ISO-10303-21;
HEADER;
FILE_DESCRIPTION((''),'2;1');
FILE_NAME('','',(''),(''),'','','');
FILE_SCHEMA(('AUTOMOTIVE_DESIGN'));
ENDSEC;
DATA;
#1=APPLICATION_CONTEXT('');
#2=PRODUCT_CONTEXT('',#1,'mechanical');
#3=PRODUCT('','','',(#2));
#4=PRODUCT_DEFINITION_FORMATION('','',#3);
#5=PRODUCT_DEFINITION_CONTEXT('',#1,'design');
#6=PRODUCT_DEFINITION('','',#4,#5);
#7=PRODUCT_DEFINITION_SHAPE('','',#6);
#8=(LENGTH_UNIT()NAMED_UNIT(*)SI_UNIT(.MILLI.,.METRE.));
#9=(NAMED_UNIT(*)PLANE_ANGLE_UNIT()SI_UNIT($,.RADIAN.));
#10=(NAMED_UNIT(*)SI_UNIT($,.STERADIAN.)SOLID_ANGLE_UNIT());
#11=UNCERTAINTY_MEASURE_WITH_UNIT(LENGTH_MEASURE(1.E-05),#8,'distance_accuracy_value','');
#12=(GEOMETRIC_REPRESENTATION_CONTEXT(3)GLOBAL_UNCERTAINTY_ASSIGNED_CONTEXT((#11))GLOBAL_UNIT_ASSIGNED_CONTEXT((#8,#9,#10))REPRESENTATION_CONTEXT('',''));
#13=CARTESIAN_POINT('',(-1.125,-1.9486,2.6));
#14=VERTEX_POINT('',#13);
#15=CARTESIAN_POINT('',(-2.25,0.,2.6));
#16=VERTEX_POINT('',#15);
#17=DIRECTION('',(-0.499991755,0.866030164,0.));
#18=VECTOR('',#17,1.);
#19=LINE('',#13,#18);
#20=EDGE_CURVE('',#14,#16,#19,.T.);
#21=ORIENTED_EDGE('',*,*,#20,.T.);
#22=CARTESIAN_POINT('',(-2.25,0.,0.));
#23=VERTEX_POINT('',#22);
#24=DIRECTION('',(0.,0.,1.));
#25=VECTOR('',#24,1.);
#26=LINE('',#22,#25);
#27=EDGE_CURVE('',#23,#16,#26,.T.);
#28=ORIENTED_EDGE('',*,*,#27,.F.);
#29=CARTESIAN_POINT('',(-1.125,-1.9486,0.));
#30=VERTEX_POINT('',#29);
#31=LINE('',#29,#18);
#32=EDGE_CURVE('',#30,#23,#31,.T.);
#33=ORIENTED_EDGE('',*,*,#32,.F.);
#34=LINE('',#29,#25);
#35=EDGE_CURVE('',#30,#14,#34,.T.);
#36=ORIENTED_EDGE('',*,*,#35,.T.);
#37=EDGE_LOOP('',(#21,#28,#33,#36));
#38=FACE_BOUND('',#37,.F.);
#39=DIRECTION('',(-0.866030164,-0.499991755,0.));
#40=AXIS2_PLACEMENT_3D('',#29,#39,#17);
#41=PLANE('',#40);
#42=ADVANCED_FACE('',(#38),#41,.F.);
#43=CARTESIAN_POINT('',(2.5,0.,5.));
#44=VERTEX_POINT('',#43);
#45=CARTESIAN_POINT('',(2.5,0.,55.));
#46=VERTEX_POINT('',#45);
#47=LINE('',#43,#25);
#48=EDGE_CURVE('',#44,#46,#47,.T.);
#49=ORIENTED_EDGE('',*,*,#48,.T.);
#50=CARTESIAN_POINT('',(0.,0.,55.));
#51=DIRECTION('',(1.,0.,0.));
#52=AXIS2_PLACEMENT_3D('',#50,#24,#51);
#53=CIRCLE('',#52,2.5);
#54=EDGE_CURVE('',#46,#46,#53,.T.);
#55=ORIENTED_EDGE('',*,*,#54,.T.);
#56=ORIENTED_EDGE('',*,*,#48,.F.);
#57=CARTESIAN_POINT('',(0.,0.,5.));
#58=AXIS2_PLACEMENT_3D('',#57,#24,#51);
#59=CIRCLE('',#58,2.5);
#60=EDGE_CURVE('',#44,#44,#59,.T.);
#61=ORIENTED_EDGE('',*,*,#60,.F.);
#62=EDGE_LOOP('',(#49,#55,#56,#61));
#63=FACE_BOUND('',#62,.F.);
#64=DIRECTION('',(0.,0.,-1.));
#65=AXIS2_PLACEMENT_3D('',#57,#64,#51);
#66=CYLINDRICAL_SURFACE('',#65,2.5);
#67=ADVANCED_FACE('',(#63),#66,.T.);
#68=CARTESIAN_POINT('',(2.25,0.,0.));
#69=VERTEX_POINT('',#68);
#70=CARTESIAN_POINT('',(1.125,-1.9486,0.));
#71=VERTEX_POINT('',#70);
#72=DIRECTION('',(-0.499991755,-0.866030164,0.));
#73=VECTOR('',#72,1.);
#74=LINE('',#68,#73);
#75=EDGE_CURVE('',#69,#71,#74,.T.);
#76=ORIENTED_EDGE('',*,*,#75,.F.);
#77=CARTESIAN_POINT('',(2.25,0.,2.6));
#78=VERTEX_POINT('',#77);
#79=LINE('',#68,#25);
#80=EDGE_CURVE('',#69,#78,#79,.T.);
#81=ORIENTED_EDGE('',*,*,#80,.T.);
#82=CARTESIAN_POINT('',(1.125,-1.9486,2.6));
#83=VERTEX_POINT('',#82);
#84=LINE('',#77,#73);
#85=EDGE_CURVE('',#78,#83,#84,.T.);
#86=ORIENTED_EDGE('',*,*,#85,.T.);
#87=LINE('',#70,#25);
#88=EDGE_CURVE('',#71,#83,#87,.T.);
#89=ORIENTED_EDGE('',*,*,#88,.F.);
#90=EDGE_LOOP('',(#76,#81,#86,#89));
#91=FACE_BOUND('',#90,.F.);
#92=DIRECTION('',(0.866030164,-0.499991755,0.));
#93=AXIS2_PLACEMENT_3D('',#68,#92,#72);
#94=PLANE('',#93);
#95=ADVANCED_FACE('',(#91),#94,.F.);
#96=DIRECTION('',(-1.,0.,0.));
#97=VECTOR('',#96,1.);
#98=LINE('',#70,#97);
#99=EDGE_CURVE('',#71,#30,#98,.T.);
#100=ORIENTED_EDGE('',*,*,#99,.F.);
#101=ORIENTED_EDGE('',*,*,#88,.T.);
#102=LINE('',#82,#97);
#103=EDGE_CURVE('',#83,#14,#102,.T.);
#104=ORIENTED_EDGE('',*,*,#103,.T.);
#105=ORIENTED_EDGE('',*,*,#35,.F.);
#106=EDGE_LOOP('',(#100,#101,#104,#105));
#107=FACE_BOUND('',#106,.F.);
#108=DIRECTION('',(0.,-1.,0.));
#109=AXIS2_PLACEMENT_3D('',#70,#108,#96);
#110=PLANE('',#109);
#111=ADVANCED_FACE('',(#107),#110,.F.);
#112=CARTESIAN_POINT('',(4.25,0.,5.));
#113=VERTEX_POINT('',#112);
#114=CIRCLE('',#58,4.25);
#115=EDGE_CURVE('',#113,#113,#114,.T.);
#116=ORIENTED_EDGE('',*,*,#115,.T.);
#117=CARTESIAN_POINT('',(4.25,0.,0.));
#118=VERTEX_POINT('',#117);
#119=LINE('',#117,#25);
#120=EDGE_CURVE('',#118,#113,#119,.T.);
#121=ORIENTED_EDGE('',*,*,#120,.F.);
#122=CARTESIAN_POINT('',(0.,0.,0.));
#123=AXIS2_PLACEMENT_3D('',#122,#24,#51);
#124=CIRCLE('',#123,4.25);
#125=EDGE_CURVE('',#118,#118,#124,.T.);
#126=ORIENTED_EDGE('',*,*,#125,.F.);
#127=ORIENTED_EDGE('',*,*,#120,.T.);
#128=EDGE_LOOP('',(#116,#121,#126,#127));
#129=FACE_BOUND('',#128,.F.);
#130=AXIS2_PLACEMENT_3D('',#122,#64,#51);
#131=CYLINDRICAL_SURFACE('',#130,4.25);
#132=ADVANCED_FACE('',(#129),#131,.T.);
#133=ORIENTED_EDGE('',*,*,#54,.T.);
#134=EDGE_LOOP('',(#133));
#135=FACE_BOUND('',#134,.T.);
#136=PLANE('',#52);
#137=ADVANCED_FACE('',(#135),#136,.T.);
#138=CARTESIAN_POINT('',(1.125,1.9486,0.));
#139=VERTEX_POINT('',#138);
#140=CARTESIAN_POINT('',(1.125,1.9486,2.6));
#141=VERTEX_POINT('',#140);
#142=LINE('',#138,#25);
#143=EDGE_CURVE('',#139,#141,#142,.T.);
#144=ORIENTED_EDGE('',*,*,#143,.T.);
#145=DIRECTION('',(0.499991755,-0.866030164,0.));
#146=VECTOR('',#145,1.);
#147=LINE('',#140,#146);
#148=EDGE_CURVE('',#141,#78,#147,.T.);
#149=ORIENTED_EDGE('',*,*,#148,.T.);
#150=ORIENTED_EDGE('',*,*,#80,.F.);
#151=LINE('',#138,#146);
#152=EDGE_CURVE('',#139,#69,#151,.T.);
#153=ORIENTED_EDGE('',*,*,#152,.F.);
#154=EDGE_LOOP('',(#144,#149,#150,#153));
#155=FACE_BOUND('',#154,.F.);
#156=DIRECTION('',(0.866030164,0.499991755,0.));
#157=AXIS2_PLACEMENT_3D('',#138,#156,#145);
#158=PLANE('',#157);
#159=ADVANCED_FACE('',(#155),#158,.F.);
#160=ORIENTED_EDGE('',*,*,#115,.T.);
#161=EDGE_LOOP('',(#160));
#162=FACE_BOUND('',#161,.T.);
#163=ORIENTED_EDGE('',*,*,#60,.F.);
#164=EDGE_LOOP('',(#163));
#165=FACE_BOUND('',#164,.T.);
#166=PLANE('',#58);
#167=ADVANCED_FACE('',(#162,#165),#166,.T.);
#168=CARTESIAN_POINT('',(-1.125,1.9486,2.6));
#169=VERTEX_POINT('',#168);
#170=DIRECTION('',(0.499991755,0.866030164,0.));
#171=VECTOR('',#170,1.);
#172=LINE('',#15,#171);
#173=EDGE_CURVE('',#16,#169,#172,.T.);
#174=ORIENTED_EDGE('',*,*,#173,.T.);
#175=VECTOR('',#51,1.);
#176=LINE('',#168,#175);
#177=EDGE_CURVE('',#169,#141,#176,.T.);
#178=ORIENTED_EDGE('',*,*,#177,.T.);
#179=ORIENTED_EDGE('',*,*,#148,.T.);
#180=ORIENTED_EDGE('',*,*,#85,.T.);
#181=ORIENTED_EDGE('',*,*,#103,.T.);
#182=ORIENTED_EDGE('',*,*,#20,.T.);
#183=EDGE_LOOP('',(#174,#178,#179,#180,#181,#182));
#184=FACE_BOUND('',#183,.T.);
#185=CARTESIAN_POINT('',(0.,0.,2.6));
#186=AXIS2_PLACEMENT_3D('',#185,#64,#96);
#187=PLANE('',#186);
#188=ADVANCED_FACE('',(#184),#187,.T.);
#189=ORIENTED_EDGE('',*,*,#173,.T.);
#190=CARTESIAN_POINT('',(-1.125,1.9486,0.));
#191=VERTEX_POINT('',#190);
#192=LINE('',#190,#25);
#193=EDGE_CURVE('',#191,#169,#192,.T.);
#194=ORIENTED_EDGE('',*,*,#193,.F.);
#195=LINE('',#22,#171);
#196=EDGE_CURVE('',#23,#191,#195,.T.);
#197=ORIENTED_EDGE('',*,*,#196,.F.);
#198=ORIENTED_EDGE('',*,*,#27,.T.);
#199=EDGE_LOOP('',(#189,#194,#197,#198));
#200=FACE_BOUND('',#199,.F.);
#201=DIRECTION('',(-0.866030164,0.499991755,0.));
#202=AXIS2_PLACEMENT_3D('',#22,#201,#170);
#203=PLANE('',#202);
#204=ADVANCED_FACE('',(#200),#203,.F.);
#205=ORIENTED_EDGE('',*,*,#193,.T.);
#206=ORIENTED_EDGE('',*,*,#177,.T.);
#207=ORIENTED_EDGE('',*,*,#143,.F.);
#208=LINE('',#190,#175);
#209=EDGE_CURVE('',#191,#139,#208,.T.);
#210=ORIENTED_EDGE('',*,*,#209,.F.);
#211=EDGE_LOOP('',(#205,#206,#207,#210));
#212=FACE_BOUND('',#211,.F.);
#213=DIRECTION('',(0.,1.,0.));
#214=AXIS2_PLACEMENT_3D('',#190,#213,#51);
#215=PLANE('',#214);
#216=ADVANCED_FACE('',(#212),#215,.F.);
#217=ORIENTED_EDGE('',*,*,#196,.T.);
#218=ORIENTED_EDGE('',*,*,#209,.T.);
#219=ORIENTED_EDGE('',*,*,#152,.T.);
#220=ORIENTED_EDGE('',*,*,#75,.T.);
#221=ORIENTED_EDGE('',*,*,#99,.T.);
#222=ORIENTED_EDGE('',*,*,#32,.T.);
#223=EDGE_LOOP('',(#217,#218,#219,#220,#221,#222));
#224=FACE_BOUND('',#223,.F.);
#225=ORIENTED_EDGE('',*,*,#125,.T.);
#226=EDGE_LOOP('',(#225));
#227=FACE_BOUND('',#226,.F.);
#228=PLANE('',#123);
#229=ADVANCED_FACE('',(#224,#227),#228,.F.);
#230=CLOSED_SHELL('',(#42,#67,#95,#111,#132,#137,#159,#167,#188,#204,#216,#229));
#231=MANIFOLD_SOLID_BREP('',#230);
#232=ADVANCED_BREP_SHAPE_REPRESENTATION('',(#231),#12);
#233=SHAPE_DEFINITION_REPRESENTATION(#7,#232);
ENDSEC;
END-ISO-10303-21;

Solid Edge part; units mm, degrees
sketch "Sketch1" plane through (0, 0, 0) normal (0, 0, 1) x (1, 0, 0)
  circle A0 centre (0, 0) radius 4.25
  dimension "D1" = 8.5
extrude "Protrusion1" add sketch "Sketch1" along normal blind 5
sketch "Sketch2" plane through (0, 0, 5) normal (0, 0, 1) x (1, 0, 0)
  circle A0 centre (0, 0) radius 2.5
extrude "ExtrudedProtrusion_2" add sketch "Sketch2" along normal blind 50
sketch "Sketch3" plane through (0, 0, 0) normal (0, 0, -1) x (-1, 0, 0)
  line L0 (2.25, 0) -> (1.125, 1.9486)
  line L1 (1.125, 1.9486) -> (-1.125, 1.9486)
  line L2 (-1.125, 1.9486) -> (-2.25, 0)
  line L3 (-2.25, 0) -> (-1.125, -1.9486)
  line L4 (-1.125, -1.9486) -> (1.125, -1.9486)
  line L5 (1.125, -1.9486) -> (2.25, 0)
extrude "ExtrudedCutout_1" cut sketch "Sketch3" against normal blind 2.6
cosmetic_thread "Thread_1" size "M5" thread depth 24
